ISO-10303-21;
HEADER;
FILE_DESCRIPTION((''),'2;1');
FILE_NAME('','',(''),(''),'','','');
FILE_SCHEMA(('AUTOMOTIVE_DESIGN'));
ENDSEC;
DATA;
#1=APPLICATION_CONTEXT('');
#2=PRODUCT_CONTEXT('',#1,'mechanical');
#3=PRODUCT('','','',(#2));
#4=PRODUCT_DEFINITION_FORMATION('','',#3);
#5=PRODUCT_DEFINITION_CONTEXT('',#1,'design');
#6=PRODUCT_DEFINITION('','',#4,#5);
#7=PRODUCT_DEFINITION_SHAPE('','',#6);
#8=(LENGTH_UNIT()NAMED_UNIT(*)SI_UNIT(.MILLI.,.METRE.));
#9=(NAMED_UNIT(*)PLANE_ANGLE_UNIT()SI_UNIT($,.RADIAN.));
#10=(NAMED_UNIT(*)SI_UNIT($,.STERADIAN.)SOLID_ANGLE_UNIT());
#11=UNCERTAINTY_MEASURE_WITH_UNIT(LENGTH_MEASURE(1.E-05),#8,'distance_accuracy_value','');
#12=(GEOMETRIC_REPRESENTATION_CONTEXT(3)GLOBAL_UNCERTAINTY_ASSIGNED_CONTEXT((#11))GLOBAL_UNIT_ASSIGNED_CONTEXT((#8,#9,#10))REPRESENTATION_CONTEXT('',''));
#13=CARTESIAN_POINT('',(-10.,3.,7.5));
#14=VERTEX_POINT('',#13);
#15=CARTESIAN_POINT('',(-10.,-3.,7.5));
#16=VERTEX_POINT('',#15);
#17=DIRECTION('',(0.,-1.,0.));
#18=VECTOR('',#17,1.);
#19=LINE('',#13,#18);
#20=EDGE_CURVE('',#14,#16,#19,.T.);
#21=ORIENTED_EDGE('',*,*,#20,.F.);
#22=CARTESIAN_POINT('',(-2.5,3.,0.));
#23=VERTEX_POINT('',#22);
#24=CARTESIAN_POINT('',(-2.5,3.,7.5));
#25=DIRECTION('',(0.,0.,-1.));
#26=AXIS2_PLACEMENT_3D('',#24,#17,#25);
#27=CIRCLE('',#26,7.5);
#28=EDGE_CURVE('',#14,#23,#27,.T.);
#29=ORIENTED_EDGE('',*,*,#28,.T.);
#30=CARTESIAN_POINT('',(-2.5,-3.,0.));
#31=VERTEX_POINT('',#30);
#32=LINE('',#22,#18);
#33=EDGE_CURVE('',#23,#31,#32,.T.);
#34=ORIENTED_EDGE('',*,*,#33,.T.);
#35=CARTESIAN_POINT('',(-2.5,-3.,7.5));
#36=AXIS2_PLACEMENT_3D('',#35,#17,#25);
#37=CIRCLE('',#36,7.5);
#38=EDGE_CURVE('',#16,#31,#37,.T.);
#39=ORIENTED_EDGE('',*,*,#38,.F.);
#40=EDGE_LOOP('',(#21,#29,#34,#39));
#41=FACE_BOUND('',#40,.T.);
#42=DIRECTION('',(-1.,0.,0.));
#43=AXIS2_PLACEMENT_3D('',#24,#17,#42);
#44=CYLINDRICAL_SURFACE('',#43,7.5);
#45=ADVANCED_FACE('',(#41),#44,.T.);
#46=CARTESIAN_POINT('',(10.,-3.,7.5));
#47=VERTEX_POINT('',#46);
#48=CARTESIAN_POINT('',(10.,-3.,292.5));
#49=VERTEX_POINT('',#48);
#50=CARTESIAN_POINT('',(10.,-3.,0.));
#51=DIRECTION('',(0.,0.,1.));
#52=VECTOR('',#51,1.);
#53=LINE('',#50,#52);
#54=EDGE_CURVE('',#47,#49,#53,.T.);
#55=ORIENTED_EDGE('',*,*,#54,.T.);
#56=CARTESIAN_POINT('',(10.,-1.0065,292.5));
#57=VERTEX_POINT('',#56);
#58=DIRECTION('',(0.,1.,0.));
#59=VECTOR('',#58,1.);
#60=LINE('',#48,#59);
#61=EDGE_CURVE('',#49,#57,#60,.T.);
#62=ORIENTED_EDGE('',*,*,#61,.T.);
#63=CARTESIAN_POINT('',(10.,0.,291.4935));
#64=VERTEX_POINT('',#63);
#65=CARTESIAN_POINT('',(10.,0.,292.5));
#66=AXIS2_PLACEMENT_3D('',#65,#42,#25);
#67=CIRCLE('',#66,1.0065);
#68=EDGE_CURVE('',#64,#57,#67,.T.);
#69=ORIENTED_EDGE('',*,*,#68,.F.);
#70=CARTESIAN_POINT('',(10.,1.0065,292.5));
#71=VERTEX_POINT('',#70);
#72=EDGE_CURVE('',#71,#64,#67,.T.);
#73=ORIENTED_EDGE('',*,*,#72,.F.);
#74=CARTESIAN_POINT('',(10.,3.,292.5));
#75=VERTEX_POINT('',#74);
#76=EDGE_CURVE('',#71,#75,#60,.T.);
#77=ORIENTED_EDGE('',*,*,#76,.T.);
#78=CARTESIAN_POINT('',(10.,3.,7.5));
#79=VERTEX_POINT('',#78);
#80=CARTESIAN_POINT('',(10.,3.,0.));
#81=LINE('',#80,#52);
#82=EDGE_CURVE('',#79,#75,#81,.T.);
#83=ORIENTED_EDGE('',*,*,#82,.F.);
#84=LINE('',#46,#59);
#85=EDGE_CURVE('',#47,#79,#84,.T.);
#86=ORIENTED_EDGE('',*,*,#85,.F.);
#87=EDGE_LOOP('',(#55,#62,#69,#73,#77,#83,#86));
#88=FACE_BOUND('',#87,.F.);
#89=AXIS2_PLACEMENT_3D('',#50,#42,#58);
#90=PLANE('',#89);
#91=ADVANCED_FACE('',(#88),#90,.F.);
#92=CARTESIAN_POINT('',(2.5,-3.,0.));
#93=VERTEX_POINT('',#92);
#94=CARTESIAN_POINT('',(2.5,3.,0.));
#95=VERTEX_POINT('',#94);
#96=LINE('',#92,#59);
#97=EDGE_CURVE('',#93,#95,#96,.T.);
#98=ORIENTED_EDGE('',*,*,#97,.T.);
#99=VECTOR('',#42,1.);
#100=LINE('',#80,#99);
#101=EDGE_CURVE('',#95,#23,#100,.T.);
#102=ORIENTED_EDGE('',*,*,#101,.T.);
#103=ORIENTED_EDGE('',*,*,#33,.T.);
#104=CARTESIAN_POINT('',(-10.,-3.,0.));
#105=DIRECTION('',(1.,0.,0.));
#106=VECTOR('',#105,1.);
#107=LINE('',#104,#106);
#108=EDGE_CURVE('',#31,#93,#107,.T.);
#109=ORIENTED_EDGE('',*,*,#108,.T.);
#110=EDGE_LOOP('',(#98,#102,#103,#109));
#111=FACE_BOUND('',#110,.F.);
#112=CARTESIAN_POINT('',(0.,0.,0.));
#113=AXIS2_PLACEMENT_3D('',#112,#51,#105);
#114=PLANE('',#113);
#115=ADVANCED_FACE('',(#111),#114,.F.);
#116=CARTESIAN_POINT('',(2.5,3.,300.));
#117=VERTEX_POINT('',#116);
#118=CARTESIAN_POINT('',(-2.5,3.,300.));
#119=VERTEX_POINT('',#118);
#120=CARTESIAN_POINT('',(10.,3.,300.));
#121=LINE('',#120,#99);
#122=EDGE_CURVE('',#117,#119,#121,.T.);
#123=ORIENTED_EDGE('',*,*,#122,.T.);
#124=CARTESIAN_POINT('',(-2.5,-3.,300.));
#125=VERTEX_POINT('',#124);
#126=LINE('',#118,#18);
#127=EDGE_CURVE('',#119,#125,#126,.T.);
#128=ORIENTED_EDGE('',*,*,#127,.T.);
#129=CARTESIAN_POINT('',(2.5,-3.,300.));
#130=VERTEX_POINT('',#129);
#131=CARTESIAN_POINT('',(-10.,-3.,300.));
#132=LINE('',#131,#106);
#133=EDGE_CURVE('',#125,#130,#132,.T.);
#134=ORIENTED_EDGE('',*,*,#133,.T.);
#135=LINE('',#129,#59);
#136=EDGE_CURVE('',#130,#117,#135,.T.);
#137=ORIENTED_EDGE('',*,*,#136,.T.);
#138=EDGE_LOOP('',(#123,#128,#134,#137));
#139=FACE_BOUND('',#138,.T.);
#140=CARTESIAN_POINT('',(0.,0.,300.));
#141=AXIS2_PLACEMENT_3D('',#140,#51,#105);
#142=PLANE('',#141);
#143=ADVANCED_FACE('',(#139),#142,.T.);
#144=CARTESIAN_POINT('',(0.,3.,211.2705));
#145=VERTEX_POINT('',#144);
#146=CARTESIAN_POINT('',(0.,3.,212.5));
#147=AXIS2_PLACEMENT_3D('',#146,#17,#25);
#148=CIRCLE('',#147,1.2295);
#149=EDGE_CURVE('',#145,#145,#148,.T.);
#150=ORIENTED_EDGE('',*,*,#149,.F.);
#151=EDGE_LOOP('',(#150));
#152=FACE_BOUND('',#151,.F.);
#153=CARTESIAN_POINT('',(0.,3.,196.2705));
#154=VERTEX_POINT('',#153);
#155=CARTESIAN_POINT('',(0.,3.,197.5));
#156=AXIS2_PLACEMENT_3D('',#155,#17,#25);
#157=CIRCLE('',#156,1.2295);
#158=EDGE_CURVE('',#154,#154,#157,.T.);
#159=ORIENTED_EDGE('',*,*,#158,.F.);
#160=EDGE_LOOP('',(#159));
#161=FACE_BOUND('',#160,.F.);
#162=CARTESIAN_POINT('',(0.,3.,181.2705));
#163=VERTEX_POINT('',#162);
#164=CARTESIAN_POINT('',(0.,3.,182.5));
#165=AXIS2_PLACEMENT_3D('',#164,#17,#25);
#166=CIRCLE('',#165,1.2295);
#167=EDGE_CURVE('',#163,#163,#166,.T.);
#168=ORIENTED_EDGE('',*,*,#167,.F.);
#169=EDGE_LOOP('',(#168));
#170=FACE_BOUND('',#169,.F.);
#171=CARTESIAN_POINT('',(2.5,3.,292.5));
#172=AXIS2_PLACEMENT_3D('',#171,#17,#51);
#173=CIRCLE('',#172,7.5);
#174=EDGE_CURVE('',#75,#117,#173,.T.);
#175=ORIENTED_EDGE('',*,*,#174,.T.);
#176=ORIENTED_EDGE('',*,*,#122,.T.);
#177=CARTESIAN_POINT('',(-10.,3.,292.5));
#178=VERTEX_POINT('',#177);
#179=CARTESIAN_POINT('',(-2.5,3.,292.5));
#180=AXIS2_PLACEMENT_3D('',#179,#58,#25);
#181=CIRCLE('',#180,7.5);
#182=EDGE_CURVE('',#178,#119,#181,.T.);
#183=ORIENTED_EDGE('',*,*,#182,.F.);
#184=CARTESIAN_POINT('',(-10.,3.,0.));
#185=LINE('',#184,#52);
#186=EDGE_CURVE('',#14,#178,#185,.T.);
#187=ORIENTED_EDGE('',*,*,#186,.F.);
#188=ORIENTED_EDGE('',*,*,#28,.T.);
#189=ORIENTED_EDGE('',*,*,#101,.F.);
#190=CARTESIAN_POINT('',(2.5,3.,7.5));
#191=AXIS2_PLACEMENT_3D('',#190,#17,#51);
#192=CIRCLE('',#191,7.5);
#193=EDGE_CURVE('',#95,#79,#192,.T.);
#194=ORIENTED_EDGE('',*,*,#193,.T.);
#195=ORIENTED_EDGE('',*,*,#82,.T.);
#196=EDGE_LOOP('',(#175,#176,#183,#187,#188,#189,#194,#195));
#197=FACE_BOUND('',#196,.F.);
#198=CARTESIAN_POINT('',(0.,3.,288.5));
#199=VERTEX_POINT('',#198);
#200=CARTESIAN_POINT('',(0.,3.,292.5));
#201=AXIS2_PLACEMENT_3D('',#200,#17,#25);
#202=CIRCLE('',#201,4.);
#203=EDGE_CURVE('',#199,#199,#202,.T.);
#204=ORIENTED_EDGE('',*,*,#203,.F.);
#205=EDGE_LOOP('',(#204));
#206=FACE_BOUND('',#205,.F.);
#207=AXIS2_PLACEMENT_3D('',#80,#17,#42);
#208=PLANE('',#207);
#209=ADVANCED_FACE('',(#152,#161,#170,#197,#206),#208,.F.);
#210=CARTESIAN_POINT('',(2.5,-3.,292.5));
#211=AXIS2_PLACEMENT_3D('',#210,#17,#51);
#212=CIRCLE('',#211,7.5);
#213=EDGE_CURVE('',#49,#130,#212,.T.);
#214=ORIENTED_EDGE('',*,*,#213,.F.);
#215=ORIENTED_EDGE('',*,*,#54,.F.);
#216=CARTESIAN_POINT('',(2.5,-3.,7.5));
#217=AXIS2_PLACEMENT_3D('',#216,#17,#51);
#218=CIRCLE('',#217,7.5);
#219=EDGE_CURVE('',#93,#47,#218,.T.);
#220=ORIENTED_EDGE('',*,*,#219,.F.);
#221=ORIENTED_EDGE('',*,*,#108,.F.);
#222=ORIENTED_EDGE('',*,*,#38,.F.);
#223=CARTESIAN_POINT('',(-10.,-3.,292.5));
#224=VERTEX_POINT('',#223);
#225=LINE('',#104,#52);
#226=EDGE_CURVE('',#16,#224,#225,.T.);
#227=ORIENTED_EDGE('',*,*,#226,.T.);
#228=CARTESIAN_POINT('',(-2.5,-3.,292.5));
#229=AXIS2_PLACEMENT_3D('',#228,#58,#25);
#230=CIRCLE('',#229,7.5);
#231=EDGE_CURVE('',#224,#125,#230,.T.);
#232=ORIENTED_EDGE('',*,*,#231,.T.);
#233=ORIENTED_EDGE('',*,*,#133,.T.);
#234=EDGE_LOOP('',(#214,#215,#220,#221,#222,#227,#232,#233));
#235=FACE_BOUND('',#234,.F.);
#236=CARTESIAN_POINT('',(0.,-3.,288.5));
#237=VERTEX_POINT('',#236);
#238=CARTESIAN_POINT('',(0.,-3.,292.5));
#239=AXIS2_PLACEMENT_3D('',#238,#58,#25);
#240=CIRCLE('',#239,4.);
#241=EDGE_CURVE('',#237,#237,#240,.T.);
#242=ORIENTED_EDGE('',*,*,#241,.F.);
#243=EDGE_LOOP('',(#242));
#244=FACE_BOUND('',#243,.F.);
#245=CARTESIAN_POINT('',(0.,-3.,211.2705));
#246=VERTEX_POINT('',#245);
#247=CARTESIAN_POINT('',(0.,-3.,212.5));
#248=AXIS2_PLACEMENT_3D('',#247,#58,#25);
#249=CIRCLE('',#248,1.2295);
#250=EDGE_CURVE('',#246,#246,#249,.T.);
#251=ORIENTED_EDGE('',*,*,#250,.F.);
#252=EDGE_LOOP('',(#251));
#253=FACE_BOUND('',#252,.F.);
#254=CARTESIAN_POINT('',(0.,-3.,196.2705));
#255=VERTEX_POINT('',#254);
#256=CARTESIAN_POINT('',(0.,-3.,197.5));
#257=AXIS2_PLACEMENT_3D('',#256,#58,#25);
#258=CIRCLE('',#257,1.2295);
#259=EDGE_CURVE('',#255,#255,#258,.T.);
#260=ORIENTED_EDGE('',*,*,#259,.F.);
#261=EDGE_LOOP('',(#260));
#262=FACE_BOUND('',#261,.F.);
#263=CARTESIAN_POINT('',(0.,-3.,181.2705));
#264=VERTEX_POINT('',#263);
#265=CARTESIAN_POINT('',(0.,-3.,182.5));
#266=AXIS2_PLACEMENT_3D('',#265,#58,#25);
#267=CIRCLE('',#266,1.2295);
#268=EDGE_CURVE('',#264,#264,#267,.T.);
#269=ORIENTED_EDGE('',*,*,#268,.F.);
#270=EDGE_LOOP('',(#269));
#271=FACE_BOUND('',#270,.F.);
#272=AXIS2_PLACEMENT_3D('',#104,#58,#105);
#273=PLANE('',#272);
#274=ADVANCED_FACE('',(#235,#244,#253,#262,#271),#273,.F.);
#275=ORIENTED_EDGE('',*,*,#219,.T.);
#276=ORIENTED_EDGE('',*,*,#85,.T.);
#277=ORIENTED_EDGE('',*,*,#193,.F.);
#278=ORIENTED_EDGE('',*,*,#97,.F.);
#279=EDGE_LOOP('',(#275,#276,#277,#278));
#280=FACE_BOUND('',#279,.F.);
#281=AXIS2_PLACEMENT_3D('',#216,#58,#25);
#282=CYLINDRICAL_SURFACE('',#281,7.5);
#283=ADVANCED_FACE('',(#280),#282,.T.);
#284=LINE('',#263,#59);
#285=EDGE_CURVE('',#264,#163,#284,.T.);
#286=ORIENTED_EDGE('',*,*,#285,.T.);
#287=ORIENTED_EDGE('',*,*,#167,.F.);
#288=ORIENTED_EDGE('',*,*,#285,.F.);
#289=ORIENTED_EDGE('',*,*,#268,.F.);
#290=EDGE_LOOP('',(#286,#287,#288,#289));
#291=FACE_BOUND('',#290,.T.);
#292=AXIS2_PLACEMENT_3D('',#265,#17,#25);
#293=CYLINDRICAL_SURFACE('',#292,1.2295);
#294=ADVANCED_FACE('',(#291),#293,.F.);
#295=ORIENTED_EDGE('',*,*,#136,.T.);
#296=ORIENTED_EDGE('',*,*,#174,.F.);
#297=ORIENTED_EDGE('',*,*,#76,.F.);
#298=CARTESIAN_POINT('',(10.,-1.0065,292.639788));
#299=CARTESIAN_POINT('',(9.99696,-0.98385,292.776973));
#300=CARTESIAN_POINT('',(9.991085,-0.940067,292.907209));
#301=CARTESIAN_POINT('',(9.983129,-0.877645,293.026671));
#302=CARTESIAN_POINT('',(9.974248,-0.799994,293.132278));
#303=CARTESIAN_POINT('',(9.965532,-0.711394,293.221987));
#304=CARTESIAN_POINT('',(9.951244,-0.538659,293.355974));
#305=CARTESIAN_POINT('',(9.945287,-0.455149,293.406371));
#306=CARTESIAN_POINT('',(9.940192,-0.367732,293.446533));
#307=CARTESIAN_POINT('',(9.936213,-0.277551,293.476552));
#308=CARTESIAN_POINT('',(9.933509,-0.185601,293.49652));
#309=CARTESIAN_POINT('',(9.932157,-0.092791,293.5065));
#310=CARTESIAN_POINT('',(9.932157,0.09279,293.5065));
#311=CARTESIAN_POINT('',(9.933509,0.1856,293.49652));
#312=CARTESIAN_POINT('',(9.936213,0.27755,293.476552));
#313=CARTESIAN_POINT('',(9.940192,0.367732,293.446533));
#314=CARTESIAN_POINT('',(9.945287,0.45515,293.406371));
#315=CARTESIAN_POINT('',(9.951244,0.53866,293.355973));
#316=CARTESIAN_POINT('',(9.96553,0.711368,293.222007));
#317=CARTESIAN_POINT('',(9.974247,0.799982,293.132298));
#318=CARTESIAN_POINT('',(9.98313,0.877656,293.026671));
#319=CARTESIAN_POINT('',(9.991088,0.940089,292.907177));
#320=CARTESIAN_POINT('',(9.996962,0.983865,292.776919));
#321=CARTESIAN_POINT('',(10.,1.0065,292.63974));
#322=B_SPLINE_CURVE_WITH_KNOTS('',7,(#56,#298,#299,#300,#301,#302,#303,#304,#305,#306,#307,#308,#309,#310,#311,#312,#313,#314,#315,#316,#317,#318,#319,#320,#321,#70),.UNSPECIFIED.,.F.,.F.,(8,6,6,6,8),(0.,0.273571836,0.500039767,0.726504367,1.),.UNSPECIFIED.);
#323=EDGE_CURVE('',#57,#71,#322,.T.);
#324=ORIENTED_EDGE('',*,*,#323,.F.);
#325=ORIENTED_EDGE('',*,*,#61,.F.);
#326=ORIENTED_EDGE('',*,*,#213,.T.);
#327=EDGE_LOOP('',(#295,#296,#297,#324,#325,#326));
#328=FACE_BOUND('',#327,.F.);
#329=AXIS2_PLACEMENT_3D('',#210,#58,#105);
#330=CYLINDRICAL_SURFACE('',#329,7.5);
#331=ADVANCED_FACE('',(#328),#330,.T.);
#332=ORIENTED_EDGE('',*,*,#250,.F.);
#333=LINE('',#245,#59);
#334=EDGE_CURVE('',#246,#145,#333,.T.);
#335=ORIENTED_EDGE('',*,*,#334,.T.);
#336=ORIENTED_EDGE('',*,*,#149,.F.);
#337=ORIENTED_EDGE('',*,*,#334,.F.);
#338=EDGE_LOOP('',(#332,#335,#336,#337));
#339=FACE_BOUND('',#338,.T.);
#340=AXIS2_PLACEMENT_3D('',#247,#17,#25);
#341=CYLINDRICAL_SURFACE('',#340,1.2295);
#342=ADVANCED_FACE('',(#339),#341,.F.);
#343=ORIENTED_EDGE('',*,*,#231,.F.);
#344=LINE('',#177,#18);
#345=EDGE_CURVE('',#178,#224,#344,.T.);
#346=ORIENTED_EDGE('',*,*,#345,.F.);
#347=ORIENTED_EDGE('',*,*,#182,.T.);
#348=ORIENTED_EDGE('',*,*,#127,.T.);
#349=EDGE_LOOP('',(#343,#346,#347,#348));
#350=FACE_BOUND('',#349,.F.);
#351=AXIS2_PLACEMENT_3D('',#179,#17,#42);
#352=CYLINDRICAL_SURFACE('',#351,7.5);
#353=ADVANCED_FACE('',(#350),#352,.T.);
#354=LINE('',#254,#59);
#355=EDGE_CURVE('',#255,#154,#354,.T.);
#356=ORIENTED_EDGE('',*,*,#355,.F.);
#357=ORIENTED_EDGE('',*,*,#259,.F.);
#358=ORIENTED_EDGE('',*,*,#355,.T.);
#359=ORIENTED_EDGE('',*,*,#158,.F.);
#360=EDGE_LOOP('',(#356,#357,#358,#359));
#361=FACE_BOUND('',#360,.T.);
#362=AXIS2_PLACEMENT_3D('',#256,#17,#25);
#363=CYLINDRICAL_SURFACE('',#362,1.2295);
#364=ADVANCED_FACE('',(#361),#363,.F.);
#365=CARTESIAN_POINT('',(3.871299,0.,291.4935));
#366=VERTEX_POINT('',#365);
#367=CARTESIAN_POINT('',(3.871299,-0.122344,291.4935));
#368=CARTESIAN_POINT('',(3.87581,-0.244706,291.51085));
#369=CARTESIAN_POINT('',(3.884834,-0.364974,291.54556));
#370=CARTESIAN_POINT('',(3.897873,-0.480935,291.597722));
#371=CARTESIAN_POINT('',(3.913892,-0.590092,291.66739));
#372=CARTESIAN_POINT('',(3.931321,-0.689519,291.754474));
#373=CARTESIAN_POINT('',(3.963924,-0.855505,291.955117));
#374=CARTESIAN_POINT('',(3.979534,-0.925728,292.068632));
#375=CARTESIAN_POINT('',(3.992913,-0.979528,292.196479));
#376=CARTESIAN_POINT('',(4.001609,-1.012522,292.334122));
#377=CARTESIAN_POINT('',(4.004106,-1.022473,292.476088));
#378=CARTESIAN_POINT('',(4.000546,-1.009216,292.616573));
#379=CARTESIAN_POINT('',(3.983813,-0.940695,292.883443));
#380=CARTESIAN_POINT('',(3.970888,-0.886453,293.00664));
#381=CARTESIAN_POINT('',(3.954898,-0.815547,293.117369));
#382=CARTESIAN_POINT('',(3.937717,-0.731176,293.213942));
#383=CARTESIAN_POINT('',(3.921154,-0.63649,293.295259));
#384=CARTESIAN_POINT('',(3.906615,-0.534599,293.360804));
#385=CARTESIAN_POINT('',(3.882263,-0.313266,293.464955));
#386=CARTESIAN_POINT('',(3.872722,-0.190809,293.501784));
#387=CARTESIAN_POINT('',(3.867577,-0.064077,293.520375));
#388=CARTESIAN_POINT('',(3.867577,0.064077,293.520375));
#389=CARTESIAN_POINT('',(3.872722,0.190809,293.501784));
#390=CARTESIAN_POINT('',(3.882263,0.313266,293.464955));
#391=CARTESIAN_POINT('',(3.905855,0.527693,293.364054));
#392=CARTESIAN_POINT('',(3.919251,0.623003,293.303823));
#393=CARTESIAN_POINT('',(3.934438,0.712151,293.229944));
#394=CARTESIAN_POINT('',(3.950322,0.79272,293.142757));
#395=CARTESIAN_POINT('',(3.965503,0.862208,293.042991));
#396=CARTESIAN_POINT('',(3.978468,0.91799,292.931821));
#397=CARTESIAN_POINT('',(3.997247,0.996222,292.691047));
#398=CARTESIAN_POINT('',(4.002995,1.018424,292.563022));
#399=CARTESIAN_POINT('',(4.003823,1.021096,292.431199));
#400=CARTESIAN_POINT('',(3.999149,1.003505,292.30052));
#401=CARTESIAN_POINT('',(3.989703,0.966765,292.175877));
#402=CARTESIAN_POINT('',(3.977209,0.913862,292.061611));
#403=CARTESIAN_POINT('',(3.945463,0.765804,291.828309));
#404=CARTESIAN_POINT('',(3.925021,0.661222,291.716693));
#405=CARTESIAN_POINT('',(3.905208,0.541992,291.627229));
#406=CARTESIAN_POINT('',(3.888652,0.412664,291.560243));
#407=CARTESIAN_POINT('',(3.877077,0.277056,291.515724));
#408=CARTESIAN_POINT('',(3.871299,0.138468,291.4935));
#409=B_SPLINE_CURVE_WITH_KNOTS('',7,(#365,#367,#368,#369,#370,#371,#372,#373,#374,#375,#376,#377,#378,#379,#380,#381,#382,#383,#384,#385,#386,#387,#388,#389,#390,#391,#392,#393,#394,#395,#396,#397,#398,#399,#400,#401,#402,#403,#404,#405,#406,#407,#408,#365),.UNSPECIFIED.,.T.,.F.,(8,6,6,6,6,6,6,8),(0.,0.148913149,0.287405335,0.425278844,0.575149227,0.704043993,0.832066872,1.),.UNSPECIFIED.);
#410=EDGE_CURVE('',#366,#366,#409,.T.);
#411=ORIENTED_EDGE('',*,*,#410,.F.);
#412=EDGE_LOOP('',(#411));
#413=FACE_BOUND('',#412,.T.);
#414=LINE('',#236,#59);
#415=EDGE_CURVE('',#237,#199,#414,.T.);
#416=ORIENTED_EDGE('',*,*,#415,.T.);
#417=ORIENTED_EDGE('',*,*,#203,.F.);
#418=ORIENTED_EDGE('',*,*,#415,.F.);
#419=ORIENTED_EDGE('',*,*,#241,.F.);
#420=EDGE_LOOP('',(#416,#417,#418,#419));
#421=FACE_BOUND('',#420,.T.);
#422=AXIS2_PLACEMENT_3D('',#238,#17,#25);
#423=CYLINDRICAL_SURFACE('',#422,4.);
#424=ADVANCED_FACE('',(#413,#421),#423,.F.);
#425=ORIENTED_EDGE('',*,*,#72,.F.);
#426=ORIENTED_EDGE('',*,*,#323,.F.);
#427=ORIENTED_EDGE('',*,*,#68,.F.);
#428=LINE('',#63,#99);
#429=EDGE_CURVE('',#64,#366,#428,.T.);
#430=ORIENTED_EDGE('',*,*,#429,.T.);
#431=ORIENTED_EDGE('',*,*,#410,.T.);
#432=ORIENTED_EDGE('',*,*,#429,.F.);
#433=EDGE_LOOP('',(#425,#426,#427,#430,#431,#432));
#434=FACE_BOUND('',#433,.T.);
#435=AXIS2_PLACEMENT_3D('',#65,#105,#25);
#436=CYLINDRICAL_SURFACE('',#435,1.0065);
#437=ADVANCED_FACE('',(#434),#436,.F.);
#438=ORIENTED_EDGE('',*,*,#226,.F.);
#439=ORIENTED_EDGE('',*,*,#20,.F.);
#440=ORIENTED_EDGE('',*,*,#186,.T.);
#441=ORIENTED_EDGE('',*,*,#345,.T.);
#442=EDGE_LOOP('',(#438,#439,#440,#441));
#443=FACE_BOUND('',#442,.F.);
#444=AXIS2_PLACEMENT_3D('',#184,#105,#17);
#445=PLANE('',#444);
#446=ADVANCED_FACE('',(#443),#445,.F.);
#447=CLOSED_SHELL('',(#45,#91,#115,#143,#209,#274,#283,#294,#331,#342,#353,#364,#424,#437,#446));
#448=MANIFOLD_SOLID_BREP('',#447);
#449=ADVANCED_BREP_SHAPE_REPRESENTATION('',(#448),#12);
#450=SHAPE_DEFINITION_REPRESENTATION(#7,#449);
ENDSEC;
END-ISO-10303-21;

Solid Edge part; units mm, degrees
sketch "Sketch1" plane through (60.3162, 60.3162, 0) normal (0, 0, 1) x (1, 0, 0)
  line L0 (-70.3162, -63.3162) -> (-50.3162, -63.3162)
  line L1 (-50.3162, -63.3162) -> (-50.3162, -57.3162)
  line L2 (-50.3162, -57.3162) -> (-70.3162, -57.3162)
  line L3 (-70.3162, -57.3162) -> (-70.3162, -63.3162)
  dimension "D1" = 20
  dimension "D2" = 6
extrude "Protrusion1" add sketch "Sketch1" along normal blind 300
fillet "Verrundung_1" radius 7.5 2 edges at (-10, 0, 300) (10, 0, 300)
fillet "Verrundung_2" radius 7.5 2 edges at (-10, 0, 0) (10, 0, 0)
hole "Bohrung_1" at (0, -3, 292.5) direction (0, 1, 0) diameter 8 end up to next
hole "Bohrung_2" at (0, -3, 212.5) direction (0, 1, 0) diameter 2.459 end up to next thread major 3 thread length 10
hole "Hole1" at (0, -3, 197.5) direction (0, 1, 0) diameter 2.459 end up to next thread major 3 thread length 10
hole "Hole2" at (0, -3, 182.5) direction (0, 1, 0) diameter 2.459 end up to next thread major 3 thread length 10
hole "Bohrung_5" at (10, 0, 292.5) direction (-1, 0, 0) diameter 2.013 end up to next thread major 2.5 thread length 8
properties material "Aluminium, 1060"
